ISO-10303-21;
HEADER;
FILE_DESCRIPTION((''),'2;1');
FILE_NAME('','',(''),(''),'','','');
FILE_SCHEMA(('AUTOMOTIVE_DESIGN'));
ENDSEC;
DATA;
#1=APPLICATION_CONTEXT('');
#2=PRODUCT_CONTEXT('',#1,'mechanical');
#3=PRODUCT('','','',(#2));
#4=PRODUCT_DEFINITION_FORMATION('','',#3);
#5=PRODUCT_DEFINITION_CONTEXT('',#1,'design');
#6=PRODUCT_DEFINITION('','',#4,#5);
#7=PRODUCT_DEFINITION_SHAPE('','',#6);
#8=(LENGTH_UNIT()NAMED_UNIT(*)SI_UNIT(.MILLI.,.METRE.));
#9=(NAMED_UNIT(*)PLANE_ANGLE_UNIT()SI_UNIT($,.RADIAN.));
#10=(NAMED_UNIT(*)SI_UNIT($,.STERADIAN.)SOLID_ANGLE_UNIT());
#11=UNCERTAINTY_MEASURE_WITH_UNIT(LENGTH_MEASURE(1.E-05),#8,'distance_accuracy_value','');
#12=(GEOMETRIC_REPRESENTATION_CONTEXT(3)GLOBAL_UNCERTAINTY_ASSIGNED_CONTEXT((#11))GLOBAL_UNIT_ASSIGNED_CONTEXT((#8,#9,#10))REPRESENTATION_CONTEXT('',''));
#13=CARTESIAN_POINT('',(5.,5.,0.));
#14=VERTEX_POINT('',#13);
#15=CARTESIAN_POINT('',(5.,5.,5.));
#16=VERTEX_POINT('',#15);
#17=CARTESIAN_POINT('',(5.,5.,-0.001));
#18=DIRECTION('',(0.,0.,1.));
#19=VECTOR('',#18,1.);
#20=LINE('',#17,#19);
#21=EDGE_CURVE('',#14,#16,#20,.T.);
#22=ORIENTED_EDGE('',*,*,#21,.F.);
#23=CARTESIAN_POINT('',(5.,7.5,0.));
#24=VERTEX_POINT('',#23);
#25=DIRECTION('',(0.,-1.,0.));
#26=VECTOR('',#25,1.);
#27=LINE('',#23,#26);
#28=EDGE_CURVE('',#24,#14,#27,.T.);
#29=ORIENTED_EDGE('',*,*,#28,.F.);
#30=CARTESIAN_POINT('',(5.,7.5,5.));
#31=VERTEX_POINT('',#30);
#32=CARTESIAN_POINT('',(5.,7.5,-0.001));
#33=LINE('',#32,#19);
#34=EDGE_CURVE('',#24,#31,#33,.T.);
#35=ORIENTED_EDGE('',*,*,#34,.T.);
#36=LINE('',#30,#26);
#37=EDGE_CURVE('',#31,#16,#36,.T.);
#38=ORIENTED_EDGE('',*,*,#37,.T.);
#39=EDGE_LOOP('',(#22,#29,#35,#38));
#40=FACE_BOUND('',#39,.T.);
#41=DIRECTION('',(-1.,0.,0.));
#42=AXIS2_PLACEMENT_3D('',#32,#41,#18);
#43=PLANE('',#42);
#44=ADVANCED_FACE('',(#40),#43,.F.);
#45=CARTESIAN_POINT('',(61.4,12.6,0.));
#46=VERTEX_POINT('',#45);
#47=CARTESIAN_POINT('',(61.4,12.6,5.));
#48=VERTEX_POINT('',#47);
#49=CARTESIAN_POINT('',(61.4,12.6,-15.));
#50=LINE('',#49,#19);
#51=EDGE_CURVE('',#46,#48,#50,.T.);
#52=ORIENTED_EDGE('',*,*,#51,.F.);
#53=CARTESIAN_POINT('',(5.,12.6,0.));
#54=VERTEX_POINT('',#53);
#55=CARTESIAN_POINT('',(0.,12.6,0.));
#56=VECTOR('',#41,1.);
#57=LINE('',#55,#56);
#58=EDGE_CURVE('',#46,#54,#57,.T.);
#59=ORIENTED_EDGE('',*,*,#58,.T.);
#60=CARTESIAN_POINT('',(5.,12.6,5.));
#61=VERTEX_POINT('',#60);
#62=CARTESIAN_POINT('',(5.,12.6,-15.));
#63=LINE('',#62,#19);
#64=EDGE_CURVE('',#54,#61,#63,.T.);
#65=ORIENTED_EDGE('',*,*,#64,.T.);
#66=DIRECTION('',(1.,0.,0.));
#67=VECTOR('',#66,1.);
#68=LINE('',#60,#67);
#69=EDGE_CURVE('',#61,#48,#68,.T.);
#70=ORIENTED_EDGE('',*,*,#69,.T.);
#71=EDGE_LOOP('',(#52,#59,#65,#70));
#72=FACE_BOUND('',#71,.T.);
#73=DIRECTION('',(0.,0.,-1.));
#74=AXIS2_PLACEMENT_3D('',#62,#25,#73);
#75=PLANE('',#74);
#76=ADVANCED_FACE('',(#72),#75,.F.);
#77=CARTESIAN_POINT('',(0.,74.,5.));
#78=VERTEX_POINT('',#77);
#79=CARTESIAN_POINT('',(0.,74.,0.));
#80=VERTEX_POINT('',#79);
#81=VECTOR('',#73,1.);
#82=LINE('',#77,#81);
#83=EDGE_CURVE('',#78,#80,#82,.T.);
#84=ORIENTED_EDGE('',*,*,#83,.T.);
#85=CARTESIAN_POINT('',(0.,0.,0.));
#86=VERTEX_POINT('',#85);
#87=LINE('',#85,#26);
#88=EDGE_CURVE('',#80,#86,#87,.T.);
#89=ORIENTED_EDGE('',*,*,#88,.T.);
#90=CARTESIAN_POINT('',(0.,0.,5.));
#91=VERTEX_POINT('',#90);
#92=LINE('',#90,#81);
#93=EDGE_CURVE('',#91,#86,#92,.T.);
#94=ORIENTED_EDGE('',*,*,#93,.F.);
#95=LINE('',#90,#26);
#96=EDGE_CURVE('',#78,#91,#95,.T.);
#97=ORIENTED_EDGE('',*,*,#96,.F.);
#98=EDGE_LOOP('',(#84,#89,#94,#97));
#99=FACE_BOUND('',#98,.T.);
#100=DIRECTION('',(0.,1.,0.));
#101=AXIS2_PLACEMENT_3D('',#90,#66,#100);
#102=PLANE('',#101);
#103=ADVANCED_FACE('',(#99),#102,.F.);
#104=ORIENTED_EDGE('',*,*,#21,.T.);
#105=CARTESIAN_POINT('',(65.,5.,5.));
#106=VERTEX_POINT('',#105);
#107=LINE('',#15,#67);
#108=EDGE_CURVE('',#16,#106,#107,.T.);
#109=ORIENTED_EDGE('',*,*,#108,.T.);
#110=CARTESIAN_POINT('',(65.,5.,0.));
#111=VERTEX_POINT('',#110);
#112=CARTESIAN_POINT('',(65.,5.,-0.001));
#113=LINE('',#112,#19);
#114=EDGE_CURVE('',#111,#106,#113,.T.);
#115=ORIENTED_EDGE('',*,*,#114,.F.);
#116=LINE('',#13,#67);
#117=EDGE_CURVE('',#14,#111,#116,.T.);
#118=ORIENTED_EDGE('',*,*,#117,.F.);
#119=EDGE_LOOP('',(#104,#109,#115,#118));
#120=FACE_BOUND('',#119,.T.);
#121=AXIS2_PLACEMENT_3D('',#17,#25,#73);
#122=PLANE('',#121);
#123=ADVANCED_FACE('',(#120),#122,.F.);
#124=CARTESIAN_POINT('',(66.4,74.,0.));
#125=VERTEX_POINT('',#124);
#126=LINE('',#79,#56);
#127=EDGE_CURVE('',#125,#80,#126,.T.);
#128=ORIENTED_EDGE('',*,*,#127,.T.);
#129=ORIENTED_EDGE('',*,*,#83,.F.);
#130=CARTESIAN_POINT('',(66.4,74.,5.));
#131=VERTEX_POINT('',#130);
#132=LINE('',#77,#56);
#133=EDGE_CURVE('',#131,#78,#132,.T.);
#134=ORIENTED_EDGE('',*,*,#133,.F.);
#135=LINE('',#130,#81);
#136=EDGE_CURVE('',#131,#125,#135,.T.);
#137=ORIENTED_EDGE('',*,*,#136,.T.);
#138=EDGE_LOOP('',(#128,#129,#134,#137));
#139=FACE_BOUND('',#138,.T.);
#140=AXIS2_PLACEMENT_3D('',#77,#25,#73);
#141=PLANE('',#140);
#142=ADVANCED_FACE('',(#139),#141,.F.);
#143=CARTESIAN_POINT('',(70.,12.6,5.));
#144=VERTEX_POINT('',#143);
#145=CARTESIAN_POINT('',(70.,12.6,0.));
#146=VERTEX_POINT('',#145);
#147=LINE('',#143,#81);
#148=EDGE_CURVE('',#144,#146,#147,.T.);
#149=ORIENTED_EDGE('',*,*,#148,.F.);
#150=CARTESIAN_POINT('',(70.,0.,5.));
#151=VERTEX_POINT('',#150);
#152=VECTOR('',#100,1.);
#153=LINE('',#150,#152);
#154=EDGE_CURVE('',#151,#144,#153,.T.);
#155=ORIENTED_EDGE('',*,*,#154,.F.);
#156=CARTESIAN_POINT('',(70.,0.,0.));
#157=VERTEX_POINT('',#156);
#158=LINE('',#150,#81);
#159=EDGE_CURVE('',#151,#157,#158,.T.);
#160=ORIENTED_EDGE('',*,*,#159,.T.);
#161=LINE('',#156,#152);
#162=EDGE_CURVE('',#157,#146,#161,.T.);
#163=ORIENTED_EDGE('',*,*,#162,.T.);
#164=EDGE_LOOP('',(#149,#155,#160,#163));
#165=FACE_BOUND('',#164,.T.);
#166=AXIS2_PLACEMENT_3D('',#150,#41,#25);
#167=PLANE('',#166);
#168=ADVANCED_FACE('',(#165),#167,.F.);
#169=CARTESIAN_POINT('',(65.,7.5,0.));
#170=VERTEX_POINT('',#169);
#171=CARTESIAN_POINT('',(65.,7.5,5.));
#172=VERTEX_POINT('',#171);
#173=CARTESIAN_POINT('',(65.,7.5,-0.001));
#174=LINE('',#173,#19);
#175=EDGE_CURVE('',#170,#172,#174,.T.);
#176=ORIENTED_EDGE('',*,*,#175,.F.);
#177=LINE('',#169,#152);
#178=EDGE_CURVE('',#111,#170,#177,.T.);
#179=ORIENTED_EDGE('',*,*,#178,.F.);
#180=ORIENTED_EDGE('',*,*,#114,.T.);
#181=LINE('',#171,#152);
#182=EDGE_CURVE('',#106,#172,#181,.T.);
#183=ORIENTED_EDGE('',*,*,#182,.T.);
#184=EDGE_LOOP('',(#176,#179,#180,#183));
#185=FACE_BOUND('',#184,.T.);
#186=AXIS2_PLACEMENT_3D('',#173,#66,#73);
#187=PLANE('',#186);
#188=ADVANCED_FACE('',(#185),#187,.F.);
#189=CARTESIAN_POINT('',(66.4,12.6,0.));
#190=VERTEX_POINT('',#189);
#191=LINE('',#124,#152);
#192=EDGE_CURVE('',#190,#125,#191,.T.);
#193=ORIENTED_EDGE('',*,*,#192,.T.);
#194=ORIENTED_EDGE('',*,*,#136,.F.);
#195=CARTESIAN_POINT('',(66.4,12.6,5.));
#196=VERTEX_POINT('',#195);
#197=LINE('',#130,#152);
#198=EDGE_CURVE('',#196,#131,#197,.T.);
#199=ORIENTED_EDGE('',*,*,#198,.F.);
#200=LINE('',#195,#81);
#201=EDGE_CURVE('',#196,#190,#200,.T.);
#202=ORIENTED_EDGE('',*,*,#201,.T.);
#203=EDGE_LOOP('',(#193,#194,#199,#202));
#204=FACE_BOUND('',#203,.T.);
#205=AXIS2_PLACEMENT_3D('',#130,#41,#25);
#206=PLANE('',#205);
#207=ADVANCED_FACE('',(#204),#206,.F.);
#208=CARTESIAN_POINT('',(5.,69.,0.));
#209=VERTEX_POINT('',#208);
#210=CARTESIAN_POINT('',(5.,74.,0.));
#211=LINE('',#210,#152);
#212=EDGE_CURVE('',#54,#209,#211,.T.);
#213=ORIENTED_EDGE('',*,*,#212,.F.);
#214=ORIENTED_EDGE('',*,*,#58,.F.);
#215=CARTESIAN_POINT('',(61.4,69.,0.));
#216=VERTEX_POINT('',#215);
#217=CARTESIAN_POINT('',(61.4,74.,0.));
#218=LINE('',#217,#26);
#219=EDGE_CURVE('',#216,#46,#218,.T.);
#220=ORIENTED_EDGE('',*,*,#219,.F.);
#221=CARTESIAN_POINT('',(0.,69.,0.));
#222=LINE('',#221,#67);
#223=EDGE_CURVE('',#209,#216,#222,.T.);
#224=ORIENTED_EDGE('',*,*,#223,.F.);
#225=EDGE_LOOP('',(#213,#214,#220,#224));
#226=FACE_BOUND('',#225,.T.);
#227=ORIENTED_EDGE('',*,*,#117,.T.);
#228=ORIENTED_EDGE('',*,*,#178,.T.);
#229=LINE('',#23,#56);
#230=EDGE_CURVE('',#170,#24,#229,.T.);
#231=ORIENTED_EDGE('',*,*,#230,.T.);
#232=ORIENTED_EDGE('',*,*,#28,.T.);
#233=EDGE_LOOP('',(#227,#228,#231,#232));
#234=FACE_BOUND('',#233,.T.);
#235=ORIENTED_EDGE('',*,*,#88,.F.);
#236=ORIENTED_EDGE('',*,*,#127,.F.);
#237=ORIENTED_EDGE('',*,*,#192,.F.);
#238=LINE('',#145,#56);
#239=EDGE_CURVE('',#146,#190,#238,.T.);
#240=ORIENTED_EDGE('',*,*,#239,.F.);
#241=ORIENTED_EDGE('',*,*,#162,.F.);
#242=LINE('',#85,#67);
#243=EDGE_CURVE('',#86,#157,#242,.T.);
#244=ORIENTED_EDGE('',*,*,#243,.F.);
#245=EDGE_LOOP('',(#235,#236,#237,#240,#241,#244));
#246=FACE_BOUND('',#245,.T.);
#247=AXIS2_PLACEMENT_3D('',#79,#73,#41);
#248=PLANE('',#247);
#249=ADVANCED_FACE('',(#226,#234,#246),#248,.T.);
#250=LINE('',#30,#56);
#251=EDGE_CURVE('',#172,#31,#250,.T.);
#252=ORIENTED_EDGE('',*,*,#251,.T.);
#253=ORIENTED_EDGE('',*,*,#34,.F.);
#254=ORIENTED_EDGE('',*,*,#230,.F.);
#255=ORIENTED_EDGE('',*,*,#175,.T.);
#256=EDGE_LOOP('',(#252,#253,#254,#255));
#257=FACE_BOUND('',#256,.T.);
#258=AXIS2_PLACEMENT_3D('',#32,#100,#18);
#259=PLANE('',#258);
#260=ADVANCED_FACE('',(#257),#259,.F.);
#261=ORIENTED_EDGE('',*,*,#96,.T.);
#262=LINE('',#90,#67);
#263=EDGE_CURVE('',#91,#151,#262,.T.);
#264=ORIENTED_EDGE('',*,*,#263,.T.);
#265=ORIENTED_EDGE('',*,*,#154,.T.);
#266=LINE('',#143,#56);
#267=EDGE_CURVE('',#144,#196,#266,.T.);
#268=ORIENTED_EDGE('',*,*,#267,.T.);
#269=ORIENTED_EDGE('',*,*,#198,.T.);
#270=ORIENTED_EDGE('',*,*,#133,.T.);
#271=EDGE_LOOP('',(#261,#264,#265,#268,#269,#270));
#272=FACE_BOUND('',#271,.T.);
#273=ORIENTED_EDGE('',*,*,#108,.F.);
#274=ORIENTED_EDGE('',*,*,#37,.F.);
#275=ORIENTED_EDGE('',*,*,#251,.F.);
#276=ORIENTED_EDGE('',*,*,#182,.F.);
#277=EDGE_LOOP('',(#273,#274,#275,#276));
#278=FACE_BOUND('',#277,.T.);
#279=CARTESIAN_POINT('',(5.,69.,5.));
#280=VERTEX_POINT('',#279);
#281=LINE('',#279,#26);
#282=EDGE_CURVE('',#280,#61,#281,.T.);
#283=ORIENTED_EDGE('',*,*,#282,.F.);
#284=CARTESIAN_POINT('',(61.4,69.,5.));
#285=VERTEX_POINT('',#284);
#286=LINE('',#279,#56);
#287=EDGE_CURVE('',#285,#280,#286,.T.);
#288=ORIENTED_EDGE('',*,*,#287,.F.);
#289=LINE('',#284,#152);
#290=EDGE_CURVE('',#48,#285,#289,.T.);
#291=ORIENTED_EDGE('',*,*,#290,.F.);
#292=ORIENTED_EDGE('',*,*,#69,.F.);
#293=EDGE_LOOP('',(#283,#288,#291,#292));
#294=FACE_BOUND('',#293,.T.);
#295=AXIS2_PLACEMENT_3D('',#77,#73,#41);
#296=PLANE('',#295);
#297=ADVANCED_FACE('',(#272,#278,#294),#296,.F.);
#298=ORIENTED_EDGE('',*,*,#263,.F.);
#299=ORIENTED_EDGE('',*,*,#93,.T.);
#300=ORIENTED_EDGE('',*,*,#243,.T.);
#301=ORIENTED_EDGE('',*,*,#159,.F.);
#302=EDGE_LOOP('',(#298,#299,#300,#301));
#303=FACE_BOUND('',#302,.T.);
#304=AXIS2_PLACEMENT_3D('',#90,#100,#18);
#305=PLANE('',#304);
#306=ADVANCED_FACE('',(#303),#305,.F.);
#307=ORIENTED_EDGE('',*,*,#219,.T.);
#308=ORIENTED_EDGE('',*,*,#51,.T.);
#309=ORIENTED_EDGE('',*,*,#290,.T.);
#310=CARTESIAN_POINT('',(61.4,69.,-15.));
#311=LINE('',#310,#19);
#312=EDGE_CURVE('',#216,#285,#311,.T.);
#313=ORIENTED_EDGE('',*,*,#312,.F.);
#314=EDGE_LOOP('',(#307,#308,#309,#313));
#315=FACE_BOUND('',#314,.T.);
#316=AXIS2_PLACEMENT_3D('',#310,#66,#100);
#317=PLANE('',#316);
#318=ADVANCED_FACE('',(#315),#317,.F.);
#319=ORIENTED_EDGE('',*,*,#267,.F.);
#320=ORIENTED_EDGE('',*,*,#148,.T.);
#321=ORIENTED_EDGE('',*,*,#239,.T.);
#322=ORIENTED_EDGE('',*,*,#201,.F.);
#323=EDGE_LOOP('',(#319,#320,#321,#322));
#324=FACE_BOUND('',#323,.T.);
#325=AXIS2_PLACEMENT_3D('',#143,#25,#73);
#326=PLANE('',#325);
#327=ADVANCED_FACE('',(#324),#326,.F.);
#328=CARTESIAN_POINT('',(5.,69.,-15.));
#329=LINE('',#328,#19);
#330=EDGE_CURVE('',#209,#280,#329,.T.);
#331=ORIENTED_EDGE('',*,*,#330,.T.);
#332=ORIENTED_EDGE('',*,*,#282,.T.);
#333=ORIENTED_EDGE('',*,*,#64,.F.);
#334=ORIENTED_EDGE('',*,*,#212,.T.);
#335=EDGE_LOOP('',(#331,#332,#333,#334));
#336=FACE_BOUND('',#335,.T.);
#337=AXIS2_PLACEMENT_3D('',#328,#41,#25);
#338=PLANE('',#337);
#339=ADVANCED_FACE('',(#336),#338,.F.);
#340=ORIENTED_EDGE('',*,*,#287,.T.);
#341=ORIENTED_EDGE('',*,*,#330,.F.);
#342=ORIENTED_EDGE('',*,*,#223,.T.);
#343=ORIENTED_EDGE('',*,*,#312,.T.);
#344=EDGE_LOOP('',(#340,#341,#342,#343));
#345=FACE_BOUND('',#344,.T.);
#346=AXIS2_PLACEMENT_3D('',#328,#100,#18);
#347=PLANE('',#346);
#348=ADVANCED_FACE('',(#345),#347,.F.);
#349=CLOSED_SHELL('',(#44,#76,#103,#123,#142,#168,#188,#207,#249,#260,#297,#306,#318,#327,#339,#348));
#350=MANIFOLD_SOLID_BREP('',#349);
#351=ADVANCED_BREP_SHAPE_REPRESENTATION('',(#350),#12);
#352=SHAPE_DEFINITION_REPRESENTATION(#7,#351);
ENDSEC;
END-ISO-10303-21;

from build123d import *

# Parameters (mm, degrees)
SKETCH_1_W          = 70
SKETCH_1_H          = 74
EXTRUDE_1_DEPTH     = 5
CUT_EXTRUDE_2_REACH = 103.985
SKETCH_2_W          = 60
SKETCH_2_H          = 2.5
SKETCH_3_W          = 56.4
SKETCH_3_H          = 56.4
CUT_EXTRUDE_3_DEPTH = 20
SKETCH_4_W          = 3.6
SKETCH_4_H          = 61.4
CUT_EXTRUDE_5_DEPTH = 102.985293057


with BuildPart() as part:
    # Эскиз1 → Вытянуть1 (new body)
    with BuildSketch(Plane.XY):
        with Locations((35, 37)):
            Rectangle(SKETCH_1_W, SKETCH_1_H)
    extrude(amount=EXTRUDE_1_DEPTH)

    # Эскиз2 → Вытянуть2 (cut, up to next)
    with BuildSketch(Plane.XY.offset(5), mode=Mode.PRIVATE) as cut_extrude_2_sk1:
        with Locations((35, 6.25)):
            Rectangle(SKETCH_2_W, SKETCH_2_H)
    cut_extrude_2_tool1 = extrude(cut_extrude_2_sk1.sketch, amount=-CUT_EXTRUDE_2_REACH, mode=Mode.PRIVATE) & part.part
    add(cut_extrude_2_tool1.solids().sort_by_distance((35, 6.25, 5))[0], mode=Mode.SUBTRACT)

    # Эскиз3 → Вытянуть3 (cut)
    with BuildSketch(Plane.XY.offset(5)):
        with Locations((33.2, 40.8)):
            Rectangle(SKETCH_3_W, SKETCH_3_H)
    extrude(amount=-CUT_EXTRUDE_3_DEPTH, mode=Mode.SUBTRACT)

    # Эскиз4 → Вытянуть5 (cut, through all)
    with BuildSketch(Plane(origin=(0, 0, 0), x_dir=(-1, 0, 0), z_dir=(0, 0, -1))):
        with Locations((-68.2, 43.3)):
            Rectangle(SKETCH_4_W, SKETCH_4_H)
    extrude(amount=-CUT_EXTRUDE_5_DEPTH, mode=Mode.SUBTRACT)


solid = part.part
